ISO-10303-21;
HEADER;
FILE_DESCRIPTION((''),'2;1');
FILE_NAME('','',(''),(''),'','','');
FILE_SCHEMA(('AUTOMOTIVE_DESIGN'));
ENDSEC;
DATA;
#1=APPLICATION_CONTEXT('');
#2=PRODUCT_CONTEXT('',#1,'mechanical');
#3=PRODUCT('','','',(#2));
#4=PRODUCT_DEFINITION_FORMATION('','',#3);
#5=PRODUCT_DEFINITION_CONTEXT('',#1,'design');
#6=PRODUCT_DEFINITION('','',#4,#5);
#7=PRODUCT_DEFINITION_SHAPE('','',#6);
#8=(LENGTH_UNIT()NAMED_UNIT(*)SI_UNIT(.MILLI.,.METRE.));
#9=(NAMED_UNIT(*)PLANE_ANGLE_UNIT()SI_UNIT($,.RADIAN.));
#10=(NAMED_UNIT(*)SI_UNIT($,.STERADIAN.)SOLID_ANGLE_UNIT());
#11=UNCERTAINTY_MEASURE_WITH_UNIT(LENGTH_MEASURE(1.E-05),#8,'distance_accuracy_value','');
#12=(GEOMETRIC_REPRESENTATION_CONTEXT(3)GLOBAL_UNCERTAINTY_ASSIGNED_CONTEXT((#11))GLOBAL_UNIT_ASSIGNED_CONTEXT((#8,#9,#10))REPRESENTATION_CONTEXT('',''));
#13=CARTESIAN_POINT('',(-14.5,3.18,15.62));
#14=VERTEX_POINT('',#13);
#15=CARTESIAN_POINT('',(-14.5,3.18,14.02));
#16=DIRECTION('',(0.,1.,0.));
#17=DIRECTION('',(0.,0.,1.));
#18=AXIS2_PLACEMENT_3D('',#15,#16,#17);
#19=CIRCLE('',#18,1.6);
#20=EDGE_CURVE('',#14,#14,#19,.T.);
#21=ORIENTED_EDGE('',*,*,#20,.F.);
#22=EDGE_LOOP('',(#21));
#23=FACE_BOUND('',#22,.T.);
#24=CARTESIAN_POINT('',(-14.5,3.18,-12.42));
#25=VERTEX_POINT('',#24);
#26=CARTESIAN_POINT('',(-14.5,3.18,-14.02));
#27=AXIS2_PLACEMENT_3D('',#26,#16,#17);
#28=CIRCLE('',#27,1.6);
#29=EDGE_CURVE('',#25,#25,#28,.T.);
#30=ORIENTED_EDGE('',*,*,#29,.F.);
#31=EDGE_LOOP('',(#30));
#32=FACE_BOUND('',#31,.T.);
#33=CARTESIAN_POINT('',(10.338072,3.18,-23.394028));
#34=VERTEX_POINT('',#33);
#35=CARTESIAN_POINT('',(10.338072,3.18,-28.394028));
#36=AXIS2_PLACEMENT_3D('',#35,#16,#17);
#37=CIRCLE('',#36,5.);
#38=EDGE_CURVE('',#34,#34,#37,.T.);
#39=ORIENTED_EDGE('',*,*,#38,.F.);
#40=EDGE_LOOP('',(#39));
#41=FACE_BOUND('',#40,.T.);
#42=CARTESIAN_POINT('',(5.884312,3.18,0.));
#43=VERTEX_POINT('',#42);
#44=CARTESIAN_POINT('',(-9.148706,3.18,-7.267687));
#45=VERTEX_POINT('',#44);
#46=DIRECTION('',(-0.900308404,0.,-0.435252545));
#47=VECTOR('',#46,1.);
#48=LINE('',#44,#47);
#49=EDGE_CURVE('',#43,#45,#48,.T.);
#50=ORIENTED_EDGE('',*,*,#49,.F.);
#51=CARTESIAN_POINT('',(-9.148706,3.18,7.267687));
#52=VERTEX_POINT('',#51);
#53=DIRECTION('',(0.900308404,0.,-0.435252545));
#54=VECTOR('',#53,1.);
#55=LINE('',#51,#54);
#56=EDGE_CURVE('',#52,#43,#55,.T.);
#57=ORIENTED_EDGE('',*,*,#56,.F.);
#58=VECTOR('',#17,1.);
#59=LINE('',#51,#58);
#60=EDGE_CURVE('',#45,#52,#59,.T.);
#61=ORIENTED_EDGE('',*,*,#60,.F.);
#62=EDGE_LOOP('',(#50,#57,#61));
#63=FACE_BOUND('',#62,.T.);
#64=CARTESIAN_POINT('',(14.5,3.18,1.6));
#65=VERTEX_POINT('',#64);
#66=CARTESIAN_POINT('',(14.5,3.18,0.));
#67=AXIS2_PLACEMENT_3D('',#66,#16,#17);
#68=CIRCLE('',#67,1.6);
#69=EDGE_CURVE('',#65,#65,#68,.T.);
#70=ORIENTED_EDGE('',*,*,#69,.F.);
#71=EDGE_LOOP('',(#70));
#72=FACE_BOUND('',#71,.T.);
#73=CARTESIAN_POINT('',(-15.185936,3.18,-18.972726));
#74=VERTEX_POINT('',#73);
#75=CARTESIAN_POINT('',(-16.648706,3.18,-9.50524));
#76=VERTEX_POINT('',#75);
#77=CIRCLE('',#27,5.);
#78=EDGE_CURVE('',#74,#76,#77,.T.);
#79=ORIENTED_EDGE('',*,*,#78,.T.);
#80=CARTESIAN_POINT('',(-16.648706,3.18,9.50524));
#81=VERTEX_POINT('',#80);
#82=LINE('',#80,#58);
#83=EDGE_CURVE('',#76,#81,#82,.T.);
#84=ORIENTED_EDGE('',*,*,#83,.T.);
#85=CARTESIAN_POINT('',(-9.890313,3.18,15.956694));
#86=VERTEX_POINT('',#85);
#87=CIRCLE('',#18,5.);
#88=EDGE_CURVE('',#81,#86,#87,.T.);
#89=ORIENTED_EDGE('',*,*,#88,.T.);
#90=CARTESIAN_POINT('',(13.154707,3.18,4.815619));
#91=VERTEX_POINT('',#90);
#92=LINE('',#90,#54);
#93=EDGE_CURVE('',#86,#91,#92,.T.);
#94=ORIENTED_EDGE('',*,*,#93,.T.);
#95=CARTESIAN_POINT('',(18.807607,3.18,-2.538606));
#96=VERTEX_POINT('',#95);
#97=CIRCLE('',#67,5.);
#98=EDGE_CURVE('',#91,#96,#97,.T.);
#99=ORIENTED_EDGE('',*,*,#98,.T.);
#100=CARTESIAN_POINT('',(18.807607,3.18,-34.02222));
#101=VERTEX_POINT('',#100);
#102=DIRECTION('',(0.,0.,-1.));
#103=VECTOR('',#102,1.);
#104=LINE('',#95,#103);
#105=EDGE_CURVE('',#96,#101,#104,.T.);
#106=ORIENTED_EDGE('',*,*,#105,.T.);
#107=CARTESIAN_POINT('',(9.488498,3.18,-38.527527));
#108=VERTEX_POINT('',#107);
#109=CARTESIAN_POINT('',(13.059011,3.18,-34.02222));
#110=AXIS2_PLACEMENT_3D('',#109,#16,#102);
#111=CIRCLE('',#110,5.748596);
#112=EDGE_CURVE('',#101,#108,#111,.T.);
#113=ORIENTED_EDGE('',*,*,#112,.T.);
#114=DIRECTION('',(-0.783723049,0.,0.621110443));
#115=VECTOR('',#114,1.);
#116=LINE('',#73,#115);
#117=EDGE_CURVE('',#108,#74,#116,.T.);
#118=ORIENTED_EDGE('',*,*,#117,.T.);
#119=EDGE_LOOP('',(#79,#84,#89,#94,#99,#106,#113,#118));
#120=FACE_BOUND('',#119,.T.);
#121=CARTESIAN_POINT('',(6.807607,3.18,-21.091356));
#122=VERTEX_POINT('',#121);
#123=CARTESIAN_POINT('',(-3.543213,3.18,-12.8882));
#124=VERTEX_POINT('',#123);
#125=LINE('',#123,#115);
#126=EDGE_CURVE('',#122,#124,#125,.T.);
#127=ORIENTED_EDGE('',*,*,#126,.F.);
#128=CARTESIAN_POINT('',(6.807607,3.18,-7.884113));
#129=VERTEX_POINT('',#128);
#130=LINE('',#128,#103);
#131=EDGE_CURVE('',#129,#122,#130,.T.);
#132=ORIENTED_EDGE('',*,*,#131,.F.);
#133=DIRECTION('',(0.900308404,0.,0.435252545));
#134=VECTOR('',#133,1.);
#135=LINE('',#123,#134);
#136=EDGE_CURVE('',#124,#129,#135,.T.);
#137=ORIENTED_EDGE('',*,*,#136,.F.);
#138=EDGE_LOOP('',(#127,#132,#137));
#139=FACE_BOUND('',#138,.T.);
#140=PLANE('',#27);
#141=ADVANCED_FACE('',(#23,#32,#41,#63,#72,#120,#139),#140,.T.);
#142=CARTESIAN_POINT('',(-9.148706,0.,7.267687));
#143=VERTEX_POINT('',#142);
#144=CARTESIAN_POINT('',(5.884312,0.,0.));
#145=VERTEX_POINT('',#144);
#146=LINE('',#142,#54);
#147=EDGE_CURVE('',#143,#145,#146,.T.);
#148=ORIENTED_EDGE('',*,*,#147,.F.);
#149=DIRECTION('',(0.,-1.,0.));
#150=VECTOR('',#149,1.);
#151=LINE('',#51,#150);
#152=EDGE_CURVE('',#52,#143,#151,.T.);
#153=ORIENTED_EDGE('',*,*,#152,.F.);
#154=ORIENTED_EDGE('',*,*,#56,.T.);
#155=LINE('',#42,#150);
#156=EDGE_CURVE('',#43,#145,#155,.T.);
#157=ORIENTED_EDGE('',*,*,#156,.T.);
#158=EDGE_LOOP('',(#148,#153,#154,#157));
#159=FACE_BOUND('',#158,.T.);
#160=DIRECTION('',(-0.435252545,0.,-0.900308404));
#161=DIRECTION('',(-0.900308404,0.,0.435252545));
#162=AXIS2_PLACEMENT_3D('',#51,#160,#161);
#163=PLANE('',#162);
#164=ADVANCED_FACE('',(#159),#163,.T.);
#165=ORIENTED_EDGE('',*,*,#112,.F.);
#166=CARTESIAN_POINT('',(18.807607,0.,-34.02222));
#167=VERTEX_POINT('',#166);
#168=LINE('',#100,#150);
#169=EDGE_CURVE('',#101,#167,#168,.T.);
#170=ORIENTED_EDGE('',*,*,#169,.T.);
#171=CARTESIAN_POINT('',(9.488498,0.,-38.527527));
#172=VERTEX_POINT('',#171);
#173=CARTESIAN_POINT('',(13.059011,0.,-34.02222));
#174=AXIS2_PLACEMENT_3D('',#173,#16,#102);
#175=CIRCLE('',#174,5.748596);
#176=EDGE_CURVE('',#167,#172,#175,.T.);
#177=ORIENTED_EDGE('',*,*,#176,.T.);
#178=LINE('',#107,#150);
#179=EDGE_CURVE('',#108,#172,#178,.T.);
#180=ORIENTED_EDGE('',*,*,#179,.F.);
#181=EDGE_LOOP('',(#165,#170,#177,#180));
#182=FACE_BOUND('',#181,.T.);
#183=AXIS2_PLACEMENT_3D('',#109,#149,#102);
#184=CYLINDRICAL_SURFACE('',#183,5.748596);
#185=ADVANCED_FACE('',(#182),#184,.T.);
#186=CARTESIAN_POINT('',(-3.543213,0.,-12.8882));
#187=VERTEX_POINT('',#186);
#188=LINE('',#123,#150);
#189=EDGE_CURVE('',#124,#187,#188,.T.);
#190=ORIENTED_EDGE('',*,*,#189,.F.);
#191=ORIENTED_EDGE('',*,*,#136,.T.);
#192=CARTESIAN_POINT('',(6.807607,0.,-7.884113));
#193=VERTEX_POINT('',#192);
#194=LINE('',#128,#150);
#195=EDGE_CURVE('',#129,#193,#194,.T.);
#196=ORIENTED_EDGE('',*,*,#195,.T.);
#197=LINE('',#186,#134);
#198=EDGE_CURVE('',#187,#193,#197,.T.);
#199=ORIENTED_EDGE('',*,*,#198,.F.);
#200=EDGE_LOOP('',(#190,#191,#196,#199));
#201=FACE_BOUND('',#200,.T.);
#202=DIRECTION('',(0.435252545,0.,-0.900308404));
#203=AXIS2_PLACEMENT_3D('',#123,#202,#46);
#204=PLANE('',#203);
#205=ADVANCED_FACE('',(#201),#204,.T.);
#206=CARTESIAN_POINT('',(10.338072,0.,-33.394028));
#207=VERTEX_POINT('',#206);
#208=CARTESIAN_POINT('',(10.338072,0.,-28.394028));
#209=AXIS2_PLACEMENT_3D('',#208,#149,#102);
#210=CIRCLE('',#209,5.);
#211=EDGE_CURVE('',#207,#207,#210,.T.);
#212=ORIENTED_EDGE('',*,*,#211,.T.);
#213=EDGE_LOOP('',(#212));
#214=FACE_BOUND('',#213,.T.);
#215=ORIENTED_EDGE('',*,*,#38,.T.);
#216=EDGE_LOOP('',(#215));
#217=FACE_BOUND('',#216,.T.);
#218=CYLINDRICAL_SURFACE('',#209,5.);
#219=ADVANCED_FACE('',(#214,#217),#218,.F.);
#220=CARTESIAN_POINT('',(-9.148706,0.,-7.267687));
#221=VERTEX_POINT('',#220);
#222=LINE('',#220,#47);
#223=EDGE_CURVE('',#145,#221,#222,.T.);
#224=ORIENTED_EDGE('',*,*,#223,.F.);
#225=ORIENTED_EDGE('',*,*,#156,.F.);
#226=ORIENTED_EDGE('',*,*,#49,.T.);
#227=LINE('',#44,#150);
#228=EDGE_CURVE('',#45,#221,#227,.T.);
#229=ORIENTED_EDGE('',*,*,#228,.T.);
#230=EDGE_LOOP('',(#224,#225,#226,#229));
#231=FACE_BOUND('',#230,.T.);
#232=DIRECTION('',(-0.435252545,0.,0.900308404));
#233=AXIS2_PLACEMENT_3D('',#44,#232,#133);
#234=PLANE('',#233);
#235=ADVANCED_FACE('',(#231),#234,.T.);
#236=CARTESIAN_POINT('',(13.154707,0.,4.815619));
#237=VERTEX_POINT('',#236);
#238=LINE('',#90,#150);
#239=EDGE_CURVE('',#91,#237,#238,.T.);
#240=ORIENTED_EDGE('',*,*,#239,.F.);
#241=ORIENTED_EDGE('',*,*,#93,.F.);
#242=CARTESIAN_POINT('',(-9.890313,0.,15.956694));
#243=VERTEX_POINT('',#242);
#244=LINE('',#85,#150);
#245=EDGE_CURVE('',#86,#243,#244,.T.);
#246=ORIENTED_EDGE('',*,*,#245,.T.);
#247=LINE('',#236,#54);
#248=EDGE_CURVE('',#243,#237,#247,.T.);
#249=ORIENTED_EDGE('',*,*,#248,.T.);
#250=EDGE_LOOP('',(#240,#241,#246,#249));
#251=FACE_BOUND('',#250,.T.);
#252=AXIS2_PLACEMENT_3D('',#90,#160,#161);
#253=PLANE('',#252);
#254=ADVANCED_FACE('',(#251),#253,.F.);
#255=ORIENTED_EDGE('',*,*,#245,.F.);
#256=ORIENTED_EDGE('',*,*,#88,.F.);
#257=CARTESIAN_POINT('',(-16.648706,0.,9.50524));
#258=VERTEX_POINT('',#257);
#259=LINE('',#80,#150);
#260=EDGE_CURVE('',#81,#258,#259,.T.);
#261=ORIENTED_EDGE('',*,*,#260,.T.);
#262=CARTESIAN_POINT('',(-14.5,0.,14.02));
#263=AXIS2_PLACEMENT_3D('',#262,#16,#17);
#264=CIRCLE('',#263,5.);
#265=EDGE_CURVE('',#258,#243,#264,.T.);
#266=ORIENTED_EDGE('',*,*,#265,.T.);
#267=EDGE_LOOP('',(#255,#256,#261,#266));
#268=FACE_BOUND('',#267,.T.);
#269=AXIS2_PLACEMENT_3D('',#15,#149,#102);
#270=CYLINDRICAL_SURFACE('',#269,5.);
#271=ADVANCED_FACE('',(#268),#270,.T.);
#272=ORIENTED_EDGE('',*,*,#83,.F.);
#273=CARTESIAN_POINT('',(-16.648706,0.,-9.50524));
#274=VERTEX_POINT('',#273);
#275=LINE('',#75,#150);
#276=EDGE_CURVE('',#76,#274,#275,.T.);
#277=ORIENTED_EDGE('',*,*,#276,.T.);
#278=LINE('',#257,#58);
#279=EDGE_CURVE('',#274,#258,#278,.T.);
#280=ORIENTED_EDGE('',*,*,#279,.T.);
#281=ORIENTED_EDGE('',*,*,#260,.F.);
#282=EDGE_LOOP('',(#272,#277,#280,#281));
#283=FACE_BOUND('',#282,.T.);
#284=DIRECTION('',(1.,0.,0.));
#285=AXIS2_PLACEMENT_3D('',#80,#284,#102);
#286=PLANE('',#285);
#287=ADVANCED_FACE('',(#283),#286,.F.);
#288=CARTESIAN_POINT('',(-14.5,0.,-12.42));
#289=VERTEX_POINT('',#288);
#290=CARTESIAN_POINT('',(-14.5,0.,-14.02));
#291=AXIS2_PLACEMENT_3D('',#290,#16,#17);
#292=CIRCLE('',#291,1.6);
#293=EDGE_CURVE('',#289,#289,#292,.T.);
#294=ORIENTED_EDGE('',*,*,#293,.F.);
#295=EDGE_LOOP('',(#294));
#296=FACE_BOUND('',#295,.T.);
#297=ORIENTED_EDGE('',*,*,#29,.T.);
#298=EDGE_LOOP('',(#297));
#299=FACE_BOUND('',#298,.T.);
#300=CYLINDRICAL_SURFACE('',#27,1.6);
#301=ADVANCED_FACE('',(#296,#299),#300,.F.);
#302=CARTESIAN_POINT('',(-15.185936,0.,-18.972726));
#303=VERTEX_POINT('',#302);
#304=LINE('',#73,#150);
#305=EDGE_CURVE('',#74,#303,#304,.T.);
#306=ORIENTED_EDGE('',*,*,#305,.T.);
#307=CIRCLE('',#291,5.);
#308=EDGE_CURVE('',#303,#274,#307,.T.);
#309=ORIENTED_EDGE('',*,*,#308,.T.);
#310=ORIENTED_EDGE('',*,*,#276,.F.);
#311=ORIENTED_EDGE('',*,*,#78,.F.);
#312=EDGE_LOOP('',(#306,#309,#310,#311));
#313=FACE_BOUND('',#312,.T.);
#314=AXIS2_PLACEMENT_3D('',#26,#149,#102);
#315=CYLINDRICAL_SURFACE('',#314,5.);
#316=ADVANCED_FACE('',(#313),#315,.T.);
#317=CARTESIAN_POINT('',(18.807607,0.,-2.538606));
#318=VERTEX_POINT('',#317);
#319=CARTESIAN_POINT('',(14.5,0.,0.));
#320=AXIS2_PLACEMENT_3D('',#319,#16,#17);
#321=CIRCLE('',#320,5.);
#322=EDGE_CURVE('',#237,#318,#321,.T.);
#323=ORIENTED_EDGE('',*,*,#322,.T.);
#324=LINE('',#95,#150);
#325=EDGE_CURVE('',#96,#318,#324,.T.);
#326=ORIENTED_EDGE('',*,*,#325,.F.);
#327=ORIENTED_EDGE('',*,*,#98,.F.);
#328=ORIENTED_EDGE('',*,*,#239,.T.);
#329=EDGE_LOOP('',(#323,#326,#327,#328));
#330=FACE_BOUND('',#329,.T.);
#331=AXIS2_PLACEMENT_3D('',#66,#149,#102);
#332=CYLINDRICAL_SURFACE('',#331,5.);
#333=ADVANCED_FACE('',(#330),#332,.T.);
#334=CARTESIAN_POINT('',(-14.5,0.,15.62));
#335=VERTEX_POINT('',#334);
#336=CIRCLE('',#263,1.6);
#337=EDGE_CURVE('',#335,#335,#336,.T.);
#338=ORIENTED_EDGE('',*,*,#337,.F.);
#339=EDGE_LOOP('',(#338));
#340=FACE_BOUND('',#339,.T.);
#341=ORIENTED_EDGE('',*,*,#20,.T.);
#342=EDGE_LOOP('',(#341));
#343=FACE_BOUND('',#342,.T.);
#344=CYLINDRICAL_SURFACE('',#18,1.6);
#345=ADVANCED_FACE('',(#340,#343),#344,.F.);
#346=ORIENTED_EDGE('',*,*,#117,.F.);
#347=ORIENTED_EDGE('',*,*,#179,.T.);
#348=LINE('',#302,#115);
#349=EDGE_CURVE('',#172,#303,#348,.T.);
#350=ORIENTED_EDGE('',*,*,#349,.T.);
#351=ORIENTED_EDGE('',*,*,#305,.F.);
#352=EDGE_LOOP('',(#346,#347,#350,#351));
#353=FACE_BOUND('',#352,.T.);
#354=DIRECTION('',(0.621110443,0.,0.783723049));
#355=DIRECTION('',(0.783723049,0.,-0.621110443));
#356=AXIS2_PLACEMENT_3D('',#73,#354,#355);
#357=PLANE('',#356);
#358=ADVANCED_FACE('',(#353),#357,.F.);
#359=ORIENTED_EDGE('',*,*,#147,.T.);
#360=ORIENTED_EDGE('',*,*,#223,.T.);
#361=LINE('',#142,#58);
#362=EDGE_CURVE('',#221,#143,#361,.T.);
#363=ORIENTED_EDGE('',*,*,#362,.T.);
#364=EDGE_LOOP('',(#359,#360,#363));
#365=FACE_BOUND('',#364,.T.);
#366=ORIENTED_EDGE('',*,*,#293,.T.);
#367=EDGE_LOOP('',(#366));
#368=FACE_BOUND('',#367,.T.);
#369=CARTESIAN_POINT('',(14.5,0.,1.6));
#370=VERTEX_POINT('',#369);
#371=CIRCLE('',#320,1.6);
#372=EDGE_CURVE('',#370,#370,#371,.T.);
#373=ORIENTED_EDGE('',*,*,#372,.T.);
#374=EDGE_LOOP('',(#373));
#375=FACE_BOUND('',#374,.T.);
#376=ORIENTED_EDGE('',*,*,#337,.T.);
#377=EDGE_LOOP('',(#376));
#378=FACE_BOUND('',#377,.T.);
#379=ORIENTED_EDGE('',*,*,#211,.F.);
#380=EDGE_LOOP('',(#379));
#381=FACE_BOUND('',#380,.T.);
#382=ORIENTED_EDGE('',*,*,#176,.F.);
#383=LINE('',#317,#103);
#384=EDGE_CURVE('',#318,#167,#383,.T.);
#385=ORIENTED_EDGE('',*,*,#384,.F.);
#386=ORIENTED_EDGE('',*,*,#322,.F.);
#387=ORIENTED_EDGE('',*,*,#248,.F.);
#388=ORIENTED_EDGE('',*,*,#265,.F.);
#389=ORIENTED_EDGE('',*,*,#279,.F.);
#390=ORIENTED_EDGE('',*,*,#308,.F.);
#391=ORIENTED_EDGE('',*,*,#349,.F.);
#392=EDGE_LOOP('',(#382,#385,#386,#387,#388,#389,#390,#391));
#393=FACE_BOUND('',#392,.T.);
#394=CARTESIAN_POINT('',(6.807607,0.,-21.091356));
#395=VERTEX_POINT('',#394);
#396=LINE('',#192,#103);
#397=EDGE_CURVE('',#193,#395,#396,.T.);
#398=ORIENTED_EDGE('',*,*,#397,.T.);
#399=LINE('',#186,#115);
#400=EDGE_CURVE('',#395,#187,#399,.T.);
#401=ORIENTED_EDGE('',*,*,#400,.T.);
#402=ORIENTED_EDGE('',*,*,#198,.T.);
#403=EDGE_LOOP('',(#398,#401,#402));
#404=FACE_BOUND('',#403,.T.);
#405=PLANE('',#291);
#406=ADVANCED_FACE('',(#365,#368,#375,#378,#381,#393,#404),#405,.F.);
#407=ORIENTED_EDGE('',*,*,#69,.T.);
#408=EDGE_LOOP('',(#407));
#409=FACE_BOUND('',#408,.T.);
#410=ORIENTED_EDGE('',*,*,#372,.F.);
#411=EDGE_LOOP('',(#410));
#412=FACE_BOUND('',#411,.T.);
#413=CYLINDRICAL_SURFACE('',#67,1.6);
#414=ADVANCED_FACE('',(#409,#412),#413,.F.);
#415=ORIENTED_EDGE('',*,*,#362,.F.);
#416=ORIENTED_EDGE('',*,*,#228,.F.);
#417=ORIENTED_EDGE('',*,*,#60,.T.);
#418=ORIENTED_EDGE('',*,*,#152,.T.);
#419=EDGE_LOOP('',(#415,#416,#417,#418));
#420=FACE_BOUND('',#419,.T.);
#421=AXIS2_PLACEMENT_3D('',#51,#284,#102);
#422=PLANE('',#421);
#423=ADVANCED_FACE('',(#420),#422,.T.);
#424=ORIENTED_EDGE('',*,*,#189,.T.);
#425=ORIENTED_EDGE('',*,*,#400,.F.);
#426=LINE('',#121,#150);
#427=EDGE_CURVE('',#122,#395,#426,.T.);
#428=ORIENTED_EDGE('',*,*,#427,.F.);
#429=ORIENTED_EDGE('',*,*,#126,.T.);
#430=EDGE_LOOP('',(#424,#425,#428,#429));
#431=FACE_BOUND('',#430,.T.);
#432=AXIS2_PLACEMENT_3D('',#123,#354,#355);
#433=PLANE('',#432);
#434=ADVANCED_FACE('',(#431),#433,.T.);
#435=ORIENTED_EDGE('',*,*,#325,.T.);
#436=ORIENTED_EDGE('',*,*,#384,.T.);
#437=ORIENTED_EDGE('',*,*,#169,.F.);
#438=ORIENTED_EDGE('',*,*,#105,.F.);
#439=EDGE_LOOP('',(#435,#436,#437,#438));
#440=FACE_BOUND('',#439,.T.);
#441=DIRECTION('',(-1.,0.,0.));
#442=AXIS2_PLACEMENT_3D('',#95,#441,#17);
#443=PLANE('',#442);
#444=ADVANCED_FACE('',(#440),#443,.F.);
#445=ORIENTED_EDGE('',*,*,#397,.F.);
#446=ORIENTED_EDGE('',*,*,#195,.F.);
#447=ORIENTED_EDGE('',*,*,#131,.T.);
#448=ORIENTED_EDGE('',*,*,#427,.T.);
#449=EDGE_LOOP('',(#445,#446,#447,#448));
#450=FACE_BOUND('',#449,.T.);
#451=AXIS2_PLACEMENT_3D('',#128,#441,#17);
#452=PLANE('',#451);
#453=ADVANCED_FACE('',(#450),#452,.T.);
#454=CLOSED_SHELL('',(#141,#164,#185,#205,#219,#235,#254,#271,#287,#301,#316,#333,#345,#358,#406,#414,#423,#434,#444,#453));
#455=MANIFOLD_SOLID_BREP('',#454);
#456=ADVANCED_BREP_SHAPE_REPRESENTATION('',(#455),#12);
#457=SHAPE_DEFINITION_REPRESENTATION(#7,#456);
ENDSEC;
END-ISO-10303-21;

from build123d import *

# Parameters (mm, degrees)
BOSS_EXTRUDE1_DEPTH            = 3.18
F_3_2_3_2_DIAMETER_HOLE1_D     = 3.2
F_3_2_3_2_DIAMETER_HOLE1_DEPTH = 3.18
F_10_0_10_DIAMETER_HOLE1_D     = 10
F_10_0_10_DIAMETER_HOLE1_DEPTH = 3.18


with BuildPart() as part:
    # Sketch1 → Boss-Extrude1 (new body)
    with BuildSketch(Plane(origin=(0, 0, 0), x_dir=(1, 0, 0), z_dir=(0, 1, 0))):
        with BuildLine():
            Line((-16.648706397, -9.505239672), (-16.648706397, 9.505239672))
            ThreePointArc((-16.648706397, 9.505239672), (-19.441368429, 14.783464504), (-15.185935574, 18.972725753))
            Line((-15.185935574, 18.972725753), (9.48849845, 38.527527259))
            ThreePointArc((9.48849845, 38.527527259), (15.561102251, 39.197729336), (18.807607076, 34.022220261))
            Line((18.807607076, 34.022220261), (18.807607076, 2.538606169))
            ThreePointArc((18.807607076, 2.538606169), (18.464212779, -3.047132594), (13.154706871, -4.815619005))
            Line((13.154706871, -4.815619005), (-9.89031278, -15.956694023))
            ThreePointArc((-9.89031278, -15.956694023), (-17.95245166, -17.636708108), (-16.648706397, -9.505239672))
        make_face()
        Polygon((-9.148706397, 7.267686973), (5.884312306, 0), (-9.148706397, -7.267686973), align=None, mode=Mode.SUBTRACT)
        Polygon((-3.543212985, 12.88819957), (6.807607076, 7.884113458), (6.807607076, 21.091355578), align=None, mode=Mode.SUBTRACT)
    extrude(amount=BOSS_EXTRUDE1_DEPTH)

    # Ø3.2 (3.2) Diameter Hole1
    with Locations(Plane(origin=(0, 3.18, 0), x_dir=(-1, 0, 0), z_dir=(0, 1, 0))):
        with Locations((-14.5, 0), (14.5, 14.02), (14.5, -14.02)):
            Hole(F_3_2_3_2_DIAMETER_HOLE1_D / 2, depth=F_3_2_3_2_DIAMETER_HOLE1_DEPTH)

    # Ø10.0 (10) Diameter Hole1
    with Locations(Plane(origin=(0, 0, 0), x_dir=(-1, 0, 0), z_dir=(0, -1, 0))):
        with Locations((-10.338071706, 28.394028492)):
            Hole(F_10_0_10_DIAMETER_HOLE1_D / 2, depth=F_10_0_10_DIAMETER_HOLE1_DEPTH)


solid = part.part
